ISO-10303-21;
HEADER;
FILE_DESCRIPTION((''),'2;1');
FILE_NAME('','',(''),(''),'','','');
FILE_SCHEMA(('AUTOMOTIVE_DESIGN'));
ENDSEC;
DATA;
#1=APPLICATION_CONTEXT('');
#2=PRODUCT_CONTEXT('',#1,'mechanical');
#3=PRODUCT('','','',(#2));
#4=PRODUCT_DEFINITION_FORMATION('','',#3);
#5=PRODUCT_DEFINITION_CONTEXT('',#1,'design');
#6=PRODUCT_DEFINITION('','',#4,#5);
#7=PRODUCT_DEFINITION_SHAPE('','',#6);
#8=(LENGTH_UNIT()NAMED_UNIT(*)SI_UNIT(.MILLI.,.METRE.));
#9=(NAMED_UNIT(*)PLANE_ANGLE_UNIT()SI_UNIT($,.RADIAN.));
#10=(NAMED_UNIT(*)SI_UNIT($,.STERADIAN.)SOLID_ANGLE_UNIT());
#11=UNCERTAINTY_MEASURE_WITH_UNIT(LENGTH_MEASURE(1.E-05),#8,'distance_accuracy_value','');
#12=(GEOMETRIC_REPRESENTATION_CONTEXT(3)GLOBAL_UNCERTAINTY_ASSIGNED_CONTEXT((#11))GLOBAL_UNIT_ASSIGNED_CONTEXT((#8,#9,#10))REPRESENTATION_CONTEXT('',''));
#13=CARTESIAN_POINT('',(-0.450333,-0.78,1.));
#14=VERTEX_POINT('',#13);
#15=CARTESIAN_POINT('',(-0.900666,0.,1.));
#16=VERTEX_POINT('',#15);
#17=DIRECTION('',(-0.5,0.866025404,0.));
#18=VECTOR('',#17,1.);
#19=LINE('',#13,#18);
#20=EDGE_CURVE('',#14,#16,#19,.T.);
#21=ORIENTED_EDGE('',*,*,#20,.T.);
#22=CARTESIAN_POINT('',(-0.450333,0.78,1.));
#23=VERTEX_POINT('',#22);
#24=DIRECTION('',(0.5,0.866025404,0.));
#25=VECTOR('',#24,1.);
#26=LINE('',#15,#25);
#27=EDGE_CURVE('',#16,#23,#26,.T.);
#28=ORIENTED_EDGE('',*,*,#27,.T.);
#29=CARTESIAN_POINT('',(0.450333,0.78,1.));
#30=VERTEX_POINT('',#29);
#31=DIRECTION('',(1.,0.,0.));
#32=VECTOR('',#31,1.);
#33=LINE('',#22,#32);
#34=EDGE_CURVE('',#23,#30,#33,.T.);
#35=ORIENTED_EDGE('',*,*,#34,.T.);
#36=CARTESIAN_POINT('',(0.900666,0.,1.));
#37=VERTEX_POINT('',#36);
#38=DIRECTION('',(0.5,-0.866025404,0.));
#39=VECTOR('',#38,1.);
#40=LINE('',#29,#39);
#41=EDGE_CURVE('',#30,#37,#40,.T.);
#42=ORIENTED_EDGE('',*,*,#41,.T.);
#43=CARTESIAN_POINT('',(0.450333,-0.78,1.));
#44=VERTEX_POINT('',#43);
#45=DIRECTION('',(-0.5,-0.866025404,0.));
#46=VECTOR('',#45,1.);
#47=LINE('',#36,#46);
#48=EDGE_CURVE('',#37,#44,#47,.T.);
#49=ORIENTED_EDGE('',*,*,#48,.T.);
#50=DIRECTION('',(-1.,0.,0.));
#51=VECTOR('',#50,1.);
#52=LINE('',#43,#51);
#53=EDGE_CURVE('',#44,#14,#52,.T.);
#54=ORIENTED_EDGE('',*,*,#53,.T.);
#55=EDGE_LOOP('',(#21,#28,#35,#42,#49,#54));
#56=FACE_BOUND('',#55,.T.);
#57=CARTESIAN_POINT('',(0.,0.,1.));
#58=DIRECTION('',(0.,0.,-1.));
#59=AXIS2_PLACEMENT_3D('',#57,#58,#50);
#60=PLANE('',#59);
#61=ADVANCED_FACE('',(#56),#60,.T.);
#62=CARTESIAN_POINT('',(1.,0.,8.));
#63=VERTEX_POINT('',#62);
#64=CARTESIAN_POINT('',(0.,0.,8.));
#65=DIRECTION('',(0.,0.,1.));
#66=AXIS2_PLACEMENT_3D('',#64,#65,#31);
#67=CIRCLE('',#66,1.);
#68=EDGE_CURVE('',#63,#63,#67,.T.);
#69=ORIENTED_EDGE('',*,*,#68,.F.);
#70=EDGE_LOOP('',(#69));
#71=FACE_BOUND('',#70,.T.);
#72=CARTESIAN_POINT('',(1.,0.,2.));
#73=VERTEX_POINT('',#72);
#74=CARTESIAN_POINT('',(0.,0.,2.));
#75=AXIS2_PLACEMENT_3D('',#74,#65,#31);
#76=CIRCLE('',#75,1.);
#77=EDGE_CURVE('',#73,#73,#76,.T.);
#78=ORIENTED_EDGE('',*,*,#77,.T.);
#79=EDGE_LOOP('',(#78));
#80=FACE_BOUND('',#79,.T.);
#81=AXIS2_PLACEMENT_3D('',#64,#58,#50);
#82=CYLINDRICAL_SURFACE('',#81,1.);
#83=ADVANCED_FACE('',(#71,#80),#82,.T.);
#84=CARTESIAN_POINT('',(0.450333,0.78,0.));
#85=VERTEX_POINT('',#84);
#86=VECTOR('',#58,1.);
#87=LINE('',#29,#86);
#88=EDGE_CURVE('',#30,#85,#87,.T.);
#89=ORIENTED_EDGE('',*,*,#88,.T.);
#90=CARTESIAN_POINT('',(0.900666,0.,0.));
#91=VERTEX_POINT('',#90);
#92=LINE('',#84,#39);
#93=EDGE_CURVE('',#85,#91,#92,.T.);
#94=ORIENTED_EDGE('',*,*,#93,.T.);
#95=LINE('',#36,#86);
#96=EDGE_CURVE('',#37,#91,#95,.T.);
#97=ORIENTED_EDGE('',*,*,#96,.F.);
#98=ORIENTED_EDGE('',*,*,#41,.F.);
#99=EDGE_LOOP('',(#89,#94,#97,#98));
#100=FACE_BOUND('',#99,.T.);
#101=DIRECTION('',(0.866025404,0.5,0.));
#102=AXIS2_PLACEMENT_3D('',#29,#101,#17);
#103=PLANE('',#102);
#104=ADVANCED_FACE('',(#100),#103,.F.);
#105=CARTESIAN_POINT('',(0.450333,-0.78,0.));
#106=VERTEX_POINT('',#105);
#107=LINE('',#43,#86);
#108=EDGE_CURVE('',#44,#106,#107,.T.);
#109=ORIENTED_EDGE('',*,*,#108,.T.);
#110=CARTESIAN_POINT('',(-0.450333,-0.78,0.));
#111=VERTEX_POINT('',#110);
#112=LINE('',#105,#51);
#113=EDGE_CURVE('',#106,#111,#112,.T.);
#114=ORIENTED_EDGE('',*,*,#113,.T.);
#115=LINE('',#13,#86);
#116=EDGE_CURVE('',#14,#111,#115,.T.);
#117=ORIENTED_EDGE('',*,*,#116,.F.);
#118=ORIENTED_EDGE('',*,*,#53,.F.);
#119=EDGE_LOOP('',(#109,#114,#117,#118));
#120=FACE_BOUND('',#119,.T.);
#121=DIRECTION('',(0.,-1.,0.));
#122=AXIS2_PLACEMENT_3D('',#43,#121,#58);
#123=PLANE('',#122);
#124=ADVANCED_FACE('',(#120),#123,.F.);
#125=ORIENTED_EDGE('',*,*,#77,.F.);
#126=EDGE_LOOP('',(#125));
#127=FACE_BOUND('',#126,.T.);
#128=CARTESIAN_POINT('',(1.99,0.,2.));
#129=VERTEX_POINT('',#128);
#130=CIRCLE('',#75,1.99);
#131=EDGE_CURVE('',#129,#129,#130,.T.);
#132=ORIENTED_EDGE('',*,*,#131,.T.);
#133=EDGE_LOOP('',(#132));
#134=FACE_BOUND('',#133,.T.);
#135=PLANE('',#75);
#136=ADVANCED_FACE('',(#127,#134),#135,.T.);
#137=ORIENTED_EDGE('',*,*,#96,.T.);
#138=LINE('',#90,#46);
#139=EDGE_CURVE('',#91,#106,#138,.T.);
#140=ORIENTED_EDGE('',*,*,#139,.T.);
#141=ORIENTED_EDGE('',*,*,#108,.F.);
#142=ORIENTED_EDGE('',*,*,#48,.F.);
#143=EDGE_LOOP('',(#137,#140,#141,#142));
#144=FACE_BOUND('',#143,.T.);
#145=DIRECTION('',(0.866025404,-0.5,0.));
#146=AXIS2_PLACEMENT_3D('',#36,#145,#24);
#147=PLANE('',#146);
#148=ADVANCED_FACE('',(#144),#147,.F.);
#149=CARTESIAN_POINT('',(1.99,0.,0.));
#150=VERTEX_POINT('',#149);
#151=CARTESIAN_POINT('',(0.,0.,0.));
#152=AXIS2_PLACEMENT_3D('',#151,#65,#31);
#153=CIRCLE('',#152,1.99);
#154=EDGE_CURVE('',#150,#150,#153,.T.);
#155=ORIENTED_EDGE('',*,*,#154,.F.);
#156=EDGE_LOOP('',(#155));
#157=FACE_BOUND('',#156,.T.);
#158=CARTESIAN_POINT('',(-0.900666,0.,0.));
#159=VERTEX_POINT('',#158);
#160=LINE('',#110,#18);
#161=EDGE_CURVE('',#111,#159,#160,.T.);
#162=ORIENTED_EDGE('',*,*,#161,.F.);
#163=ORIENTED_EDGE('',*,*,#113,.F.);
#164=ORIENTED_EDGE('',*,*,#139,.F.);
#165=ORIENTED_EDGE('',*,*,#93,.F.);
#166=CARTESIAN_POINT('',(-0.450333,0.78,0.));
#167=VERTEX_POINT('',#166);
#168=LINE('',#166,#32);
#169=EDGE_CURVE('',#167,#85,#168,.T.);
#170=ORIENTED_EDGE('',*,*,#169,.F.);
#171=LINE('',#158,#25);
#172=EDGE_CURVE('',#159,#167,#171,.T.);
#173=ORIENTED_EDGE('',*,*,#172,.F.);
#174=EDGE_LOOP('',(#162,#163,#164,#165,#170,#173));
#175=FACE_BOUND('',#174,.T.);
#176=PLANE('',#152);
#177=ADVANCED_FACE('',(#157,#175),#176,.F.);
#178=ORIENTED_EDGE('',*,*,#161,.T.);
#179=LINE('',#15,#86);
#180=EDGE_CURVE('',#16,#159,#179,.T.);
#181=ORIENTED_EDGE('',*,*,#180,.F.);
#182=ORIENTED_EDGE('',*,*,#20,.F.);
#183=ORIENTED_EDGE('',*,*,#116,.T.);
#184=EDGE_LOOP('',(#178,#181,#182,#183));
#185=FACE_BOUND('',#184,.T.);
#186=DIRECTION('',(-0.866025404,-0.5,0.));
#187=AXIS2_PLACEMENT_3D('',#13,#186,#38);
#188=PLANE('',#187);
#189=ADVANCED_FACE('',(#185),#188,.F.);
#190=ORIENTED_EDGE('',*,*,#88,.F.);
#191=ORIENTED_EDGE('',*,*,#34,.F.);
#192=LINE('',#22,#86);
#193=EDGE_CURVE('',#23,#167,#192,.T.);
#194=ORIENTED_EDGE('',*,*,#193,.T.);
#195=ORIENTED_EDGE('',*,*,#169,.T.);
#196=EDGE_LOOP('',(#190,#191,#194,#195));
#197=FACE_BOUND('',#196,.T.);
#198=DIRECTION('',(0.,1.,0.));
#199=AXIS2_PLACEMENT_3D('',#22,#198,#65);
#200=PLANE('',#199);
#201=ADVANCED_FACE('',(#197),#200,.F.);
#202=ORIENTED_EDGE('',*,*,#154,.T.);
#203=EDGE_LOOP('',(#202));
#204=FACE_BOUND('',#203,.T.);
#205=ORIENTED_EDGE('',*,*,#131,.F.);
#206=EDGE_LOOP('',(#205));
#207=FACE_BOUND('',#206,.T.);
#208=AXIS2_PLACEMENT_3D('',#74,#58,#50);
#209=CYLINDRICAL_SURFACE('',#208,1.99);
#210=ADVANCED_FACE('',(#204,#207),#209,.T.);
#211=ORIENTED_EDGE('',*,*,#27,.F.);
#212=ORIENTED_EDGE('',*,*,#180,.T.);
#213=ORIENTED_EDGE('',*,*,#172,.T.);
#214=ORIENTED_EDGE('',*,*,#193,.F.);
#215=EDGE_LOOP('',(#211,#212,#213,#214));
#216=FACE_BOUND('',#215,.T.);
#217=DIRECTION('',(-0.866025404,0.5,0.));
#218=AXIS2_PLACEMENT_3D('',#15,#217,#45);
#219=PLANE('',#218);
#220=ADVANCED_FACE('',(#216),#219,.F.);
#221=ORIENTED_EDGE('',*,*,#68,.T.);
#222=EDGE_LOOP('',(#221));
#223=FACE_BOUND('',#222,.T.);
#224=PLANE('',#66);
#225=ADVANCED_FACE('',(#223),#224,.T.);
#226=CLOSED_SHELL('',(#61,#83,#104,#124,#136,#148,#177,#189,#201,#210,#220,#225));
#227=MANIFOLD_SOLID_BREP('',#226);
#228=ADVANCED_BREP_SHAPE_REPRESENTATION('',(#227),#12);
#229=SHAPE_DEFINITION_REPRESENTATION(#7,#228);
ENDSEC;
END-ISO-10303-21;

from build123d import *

# Parameters (mm, degrees)
SKETCH_1_R          = 1.99
EXTRUDE_1_DEPTH     = 2
SKETCH_2_R          = 1
EXTRUDE_2_DEPTH     = 6
CUT_EXTRUDE_1_DEPTH = 1


with BuildPart() as part:
    # 草图1 → 凸台-拉伸1 (new body)
    with BuildSketch(Plane.XY):
        Circle(SKETCH_1_R)
    extrude(amount=EXTRUDE_1_DEPTH)

    # 草图2 → 凸台-拉伸2 (add)
    with BuildSketch(Plane.XY.offset(2)):
        Circle(SKETCH_2_R)
    extrude(amount=EXTRUDE_2_DEPTH)

    # 草图3 → 切除-拉伸1 (cut)
    with BuildSketch(Plane(origin=(0, 0, 0), x_dir=(-1, 0, 0), z_dir=(0, 0, -1))):
        Polygon((0.90066642, 0), (0.45033321, 0.78), (-0.45033321, 0.78), (-0.90066642, 0), (-0.45033321, -0.78), (0.45033321, -0.78), align=None)
    extrude(amount=-CUT_EXTRUDE_1_DEPTH, mode=Mode.SUBTRACT)


solid = part.part
